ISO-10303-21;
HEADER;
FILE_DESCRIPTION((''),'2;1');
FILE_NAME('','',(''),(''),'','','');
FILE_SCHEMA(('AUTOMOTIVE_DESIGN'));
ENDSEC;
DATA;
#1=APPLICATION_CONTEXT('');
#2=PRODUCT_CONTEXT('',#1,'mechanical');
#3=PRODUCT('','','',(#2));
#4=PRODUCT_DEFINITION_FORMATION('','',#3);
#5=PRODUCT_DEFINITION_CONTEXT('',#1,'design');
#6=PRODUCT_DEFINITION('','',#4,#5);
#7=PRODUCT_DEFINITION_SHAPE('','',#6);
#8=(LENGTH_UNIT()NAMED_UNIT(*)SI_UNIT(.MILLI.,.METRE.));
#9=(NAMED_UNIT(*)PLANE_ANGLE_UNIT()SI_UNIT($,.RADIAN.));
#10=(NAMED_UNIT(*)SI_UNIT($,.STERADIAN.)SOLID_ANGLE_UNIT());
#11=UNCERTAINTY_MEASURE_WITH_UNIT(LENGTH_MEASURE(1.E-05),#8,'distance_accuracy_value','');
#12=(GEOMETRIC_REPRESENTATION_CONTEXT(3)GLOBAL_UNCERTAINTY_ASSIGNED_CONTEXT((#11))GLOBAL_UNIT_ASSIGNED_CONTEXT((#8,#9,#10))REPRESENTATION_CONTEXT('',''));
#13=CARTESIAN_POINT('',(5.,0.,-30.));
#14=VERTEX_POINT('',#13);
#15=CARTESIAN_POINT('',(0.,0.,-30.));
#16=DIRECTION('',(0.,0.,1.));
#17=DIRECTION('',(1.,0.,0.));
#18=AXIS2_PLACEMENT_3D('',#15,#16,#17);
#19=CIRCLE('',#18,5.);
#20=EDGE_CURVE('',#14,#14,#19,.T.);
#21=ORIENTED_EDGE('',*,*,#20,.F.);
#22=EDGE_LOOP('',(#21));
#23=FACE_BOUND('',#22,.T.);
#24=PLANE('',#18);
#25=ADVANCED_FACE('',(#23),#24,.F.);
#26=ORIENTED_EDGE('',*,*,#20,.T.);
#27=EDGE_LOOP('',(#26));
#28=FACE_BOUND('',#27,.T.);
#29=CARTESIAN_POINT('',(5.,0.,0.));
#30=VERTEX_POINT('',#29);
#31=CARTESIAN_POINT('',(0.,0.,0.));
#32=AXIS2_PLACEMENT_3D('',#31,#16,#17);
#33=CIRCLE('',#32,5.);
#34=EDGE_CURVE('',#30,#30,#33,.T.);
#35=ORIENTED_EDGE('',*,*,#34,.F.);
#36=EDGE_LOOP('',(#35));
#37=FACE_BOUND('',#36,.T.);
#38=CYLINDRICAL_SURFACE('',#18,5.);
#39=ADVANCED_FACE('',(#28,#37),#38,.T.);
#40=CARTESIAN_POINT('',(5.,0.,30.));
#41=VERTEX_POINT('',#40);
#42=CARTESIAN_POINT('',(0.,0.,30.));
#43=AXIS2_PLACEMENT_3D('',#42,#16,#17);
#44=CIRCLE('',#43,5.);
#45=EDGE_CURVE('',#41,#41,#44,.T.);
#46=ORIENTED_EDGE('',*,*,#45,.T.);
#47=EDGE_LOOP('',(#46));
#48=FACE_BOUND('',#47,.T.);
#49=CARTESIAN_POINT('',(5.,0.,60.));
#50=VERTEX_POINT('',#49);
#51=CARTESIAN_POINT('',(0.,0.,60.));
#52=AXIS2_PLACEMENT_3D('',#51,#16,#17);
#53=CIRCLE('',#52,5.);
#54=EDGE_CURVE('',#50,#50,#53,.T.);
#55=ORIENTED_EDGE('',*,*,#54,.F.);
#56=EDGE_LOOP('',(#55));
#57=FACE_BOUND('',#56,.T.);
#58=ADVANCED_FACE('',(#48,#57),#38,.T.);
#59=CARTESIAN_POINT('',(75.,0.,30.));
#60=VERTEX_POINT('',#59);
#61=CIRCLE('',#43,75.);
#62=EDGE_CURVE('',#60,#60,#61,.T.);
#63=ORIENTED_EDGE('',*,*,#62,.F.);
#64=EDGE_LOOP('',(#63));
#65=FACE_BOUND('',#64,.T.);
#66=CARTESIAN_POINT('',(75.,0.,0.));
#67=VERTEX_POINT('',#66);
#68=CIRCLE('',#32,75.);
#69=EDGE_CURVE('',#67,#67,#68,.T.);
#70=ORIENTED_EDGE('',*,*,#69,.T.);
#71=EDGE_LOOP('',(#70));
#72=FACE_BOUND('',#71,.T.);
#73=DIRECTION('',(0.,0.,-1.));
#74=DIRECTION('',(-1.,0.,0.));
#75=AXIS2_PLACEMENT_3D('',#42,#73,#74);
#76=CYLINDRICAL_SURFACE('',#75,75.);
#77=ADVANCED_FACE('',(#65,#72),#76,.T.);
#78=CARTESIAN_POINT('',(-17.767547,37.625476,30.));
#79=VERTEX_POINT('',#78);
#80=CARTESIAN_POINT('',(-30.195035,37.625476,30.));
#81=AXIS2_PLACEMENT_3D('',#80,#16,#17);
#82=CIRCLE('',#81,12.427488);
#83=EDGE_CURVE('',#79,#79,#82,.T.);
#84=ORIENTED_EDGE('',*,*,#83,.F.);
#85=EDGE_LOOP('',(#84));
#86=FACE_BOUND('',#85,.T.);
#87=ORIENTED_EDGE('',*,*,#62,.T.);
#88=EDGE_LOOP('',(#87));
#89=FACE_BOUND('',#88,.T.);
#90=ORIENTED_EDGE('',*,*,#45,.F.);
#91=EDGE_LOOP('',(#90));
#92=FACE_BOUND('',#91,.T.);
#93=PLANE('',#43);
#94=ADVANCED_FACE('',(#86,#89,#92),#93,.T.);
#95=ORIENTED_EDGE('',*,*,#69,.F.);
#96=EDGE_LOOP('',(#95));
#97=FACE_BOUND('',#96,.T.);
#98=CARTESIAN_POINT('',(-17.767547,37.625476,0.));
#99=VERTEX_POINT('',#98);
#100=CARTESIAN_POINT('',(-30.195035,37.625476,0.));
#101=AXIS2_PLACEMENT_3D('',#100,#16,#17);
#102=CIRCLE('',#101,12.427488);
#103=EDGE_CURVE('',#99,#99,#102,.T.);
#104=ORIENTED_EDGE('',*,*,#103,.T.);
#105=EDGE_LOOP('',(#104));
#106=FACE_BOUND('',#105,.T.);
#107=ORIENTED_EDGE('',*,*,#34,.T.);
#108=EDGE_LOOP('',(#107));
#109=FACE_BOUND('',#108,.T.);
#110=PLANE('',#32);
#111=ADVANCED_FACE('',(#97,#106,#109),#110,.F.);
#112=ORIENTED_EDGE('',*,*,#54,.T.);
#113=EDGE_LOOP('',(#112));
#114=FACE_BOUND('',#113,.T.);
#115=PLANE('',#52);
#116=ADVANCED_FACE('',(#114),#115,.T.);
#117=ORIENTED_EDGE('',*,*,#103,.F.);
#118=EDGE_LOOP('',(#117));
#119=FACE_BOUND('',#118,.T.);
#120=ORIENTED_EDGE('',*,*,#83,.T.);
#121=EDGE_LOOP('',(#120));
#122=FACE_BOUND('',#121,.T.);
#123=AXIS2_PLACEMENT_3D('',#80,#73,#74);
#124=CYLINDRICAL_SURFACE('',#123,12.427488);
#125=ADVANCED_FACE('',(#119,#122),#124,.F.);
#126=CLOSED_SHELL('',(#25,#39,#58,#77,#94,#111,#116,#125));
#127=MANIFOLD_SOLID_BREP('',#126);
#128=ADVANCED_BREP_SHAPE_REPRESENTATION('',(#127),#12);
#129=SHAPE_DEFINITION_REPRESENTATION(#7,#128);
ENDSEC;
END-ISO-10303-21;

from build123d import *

# Parameters (mm, degrees)
SKETCH_1_R           = 75
SKETCH_1_R_2         = 5
SKETCH_1_R_3         = 12.427488399
EXTRUDE_1_DEPTH      = 30
SKETCH_2_R           = 5
EXTRUDE_2_DEPTH      = 30
EXTRUDE_2_DEPTH_BACK = 60


with BuildPart() as part:
    # 草图1 → 凸台-拉伸1 (new body)
    with BuildSketch(Plane.XY):
        Circle(SKETCH_1_R)
        Circle(SKETCH_1_R_2, mode=Mode.SUBTRACT)
        with Locations((-30.195035009, 37.625475503)):
            Circle(SKETCH_1_R_3, mode=Mode.SUBTRACT)
    extrude(amount=EXTRUDE_1_DEPTH)

    # 草图2 → 凸台-拉伸2 (add, two sides)
    with BuildSketch(Plane.XY.offset(30)) as extrude_2_sk:
        Circle(SKETCH_2_R)
    extrude(amount=EXTRUDE_2_DEPTH)
    extrude(extrude_2_sk.sketch, amount=-EXTRUDE_2_DEPTH_BACK)


solid = part.part
